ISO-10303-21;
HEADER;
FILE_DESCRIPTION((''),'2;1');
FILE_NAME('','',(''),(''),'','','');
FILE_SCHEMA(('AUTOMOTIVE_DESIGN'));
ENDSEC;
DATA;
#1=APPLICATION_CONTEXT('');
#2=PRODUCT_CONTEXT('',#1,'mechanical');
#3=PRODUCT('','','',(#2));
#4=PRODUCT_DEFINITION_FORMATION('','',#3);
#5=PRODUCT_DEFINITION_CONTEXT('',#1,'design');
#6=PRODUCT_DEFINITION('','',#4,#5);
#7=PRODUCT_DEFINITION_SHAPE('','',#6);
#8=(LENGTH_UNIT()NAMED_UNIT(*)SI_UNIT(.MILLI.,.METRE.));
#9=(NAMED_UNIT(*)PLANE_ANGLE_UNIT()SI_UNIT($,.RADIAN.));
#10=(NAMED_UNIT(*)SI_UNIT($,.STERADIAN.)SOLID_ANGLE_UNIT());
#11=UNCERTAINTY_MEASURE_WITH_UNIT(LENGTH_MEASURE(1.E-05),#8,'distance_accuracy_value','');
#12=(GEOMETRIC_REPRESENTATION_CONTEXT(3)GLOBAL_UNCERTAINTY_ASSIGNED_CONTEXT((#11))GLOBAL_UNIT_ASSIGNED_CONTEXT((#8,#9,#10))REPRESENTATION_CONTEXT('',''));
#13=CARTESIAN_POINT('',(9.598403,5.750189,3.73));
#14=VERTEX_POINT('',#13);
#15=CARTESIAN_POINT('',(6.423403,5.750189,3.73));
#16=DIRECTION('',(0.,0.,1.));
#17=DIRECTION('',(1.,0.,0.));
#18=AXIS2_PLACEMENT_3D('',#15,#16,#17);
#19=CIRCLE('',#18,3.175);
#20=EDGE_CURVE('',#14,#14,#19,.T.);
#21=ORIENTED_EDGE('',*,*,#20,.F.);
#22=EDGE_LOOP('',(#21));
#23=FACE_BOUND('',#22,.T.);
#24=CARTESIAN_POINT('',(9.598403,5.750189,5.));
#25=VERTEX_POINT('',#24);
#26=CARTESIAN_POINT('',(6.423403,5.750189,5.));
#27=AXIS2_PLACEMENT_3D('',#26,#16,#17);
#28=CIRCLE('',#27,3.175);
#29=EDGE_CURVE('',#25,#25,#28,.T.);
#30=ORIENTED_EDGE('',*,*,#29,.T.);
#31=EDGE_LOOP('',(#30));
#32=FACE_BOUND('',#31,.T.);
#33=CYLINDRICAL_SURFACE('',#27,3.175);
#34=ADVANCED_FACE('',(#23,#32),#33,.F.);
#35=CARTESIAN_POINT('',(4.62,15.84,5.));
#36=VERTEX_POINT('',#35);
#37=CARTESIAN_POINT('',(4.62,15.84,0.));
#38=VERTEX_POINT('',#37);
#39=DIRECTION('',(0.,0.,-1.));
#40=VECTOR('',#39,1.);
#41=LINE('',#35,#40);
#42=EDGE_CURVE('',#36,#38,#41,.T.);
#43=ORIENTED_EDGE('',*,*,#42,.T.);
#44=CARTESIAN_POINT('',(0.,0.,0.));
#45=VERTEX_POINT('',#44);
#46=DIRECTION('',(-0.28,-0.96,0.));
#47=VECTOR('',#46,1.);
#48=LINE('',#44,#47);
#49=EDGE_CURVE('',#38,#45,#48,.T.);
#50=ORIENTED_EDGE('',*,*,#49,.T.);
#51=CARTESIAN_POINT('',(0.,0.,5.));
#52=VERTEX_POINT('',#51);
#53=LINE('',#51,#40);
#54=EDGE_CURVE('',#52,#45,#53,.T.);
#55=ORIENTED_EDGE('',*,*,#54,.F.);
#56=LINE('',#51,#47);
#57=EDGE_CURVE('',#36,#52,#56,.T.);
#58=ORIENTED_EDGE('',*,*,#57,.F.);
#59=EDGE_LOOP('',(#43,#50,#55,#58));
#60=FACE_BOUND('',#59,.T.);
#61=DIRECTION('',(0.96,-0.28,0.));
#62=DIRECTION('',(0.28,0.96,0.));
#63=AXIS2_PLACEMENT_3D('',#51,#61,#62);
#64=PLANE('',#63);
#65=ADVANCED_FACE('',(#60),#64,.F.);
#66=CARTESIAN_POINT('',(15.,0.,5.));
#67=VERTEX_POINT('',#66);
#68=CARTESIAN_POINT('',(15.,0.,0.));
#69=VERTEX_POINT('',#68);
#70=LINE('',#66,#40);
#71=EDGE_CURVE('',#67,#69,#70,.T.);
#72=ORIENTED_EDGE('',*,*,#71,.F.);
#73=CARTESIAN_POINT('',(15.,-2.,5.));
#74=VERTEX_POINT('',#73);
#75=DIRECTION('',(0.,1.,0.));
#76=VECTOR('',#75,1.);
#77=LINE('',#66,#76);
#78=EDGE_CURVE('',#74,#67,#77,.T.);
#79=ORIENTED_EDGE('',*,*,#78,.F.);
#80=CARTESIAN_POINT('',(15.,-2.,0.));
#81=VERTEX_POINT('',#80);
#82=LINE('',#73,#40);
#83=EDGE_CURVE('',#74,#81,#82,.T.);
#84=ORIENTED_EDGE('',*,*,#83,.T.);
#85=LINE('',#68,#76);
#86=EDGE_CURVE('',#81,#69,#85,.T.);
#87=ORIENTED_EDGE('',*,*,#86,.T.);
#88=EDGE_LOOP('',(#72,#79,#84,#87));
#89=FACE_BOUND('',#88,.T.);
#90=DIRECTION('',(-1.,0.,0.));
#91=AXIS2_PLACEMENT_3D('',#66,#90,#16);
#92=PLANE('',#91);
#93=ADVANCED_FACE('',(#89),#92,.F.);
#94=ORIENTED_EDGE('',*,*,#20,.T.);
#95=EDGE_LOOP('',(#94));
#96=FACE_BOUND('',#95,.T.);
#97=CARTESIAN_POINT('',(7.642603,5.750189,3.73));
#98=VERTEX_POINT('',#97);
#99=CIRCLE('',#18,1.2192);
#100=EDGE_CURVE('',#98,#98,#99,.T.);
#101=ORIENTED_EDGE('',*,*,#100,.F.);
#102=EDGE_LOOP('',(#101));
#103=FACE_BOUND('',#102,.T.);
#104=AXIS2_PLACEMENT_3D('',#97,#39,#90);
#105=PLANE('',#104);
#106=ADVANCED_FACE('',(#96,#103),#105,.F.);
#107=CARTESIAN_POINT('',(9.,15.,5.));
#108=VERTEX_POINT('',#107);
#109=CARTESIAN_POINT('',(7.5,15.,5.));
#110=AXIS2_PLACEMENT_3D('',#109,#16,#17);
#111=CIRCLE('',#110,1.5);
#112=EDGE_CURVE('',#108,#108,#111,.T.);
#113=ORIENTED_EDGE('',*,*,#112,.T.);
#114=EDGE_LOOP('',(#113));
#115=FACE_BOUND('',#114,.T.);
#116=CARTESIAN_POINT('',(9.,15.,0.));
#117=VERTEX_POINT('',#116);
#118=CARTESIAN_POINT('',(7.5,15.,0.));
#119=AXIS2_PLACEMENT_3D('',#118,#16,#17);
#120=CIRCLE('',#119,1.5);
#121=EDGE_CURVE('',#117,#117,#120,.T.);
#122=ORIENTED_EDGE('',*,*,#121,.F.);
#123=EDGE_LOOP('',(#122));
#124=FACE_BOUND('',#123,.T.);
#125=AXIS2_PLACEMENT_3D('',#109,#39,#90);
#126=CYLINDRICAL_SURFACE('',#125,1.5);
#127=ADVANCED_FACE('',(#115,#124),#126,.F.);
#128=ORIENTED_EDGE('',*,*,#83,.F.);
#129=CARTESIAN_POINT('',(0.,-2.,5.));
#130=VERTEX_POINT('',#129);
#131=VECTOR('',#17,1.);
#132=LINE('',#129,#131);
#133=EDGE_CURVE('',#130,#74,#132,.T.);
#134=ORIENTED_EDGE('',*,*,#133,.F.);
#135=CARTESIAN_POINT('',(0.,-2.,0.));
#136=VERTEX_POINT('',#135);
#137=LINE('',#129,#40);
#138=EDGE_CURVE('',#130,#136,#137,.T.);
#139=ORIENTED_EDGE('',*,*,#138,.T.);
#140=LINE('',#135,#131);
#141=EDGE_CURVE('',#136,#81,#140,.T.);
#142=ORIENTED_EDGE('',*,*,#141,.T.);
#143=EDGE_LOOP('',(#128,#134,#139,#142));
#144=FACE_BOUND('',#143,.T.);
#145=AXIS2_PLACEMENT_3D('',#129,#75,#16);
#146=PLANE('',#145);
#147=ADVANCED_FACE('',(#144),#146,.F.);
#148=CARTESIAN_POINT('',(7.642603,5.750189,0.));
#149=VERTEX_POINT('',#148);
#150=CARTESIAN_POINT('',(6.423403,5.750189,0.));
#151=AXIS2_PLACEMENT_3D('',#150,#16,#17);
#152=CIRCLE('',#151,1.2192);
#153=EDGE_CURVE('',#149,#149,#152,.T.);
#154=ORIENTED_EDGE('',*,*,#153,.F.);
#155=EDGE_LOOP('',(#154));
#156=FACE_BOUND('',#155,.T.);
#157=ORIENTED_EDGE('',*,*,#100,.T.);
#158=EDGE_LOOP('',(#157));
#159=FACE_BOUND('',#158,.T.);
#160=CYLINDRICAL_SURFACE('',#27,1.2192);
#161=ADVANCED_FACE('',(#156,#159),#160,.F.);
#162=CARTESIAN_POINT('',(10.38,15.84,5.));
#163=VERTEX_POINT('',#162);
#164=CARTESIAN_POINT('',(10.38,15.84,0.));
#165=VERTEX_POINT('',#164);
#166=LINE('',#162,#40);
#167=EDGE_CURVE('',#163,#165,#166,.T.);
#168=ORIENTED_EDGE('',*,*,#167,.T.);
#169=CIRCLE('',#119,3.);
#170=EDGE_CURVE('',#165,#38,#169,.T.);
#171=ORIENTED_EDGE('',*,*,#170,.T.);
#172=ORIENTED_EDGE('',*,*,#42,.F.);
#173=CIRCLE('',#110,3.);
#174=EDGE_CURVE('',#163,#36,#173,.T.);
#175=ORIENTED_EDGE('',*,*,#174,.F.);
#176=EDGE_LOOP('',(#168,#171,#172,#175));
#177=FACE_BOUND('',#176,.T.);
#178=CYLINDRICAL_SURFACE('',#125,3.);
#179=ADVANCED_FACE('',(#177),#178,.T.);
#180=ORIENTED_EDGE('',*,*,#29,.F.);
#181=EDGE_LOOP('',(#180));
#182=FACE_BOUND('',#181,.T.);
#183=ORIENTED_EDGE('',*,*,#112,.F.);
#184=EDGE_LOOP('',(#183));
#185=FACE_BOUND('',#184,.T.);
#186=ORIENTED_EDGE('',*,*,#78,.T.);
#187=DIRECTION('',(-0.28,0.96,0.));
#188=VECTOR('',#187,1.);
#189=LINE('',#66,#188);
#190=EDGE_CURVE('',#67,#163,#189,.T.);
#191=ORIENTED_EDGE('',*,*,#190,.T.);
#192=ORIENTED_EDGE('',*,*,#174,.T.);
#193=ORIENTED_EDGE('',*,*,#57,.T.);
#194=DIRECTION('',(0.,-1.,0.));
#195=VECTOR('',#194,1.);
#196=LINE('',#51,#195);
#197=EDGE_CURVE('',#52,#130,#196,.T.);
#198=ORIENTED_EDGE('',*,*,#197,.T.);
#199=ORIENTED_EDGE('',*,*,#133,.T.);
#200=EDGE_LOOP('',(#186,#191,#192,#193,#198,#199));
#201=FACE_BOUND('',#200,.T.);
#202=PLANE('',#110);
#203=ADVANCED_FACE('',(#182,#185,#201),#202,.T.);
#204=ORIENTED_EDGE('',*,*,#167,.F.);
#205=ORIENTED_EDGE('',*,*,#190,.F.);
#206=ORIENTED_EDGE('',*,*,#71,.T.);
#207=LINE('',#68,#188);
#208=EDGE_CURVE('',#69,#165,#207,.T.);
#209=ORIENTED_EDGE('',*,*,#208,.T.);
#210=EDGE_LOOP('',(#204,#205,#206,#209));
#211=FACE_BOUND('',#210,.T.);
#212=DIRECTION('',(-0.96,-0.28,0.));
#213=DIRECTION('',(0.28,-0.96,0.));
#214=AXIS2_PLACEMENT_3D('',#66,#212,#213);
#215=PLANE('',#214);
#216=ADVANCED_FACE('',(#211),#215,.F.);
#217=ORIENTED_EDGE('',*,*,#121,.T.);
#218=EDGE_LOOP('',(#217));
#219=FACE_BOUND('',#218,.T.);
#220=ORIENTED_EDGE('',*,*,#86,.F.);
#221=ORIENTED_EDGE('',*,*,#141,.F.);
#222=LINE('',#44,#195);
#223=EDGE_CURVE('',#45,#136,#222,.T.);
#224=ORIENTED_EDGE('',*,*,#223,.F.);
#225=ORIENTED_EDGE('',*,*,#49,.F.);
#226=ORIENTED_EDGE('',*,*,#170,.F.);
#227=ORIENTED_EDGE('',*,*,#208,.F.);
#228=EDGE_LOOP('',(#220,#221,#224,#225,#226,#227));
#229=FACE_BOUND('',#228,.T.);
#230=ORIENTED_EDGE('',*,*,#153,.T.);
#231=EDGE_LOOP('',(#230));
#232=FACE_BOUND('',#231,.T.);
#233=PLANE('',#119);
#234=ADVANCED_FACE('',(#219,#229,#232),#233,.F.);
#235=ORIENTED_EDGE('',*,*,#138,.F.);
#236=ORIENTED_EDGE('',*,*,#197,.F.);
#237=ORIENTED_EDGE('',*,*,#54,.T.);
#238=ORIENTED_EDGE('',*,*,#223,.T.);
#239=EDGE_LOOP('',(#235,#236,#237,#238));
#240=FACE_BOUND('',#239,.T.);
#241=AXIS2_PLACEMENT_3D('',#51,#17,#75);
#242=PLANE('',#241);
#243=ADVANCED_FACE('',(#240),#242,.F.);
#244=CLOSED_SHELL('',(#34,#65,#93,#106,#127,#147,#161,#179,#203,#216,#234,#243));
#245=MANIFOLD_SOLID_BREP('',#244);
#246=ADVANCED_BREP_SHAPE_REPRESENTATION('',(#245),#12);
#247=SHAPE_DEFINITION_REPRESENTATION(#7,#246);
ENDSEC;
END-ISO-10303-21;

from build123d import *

# Parameters (mm, degrees)
SKETCH1_R                                  = 1.5
BOSS_EXTRUDE1_DEPTH                        = 5
CBORE_FOR_2_HEX_MACHINE_SCREW1_D           = 2.4384
CBORE_FOR_2_HEX_MACHINE_SCREW1_CBORE_D     = 6.35
CBORE_FOR_2_HEX_MACHINE_SCREW1_CBORE_DEPTH = 1.27


with BuildPart() as part:
    # Sketch1 → Boss-Extrude1 (new body)
    with BuildSketch(Plane.XY):
        with BuildLine():
            Line((15, 0), (10.38, 15.84))
            ThreePointArc((10.38, 15.84), (7.5, 18), (4.62, 15.84))
            Line((4.62, 15.84), (0, 0))
            Line((0, 0), (0, -2))
            Line((0, -2), (15, -2))
            Line((15, -2), (15, 0))
        make_face()
        with Locations((7.5, 15)):
            Circle(SKETCH1_R, mode=Mode.SUBTRACT)
    extrude(amount=BOSS_EXTRUDE1_DEPTH)

    # CBORE for #2 Hex Machine Screw1 (through all)
    with Locations(Plane.XY.offset(5)):
        with Locations((6.423403237, 5.750188816)):
            CounterBoreHole(CBORE_FOR_2_HEX_MACHINE_SCREW1_D / 2, CBORE_FOR_2_HEX_MACHINE_SCREW1_CBORE_D / 2, CBORE_FOR_2_HEX_MACHINE_SCREW1_CBORE_DEPTH)


solid = part.part
